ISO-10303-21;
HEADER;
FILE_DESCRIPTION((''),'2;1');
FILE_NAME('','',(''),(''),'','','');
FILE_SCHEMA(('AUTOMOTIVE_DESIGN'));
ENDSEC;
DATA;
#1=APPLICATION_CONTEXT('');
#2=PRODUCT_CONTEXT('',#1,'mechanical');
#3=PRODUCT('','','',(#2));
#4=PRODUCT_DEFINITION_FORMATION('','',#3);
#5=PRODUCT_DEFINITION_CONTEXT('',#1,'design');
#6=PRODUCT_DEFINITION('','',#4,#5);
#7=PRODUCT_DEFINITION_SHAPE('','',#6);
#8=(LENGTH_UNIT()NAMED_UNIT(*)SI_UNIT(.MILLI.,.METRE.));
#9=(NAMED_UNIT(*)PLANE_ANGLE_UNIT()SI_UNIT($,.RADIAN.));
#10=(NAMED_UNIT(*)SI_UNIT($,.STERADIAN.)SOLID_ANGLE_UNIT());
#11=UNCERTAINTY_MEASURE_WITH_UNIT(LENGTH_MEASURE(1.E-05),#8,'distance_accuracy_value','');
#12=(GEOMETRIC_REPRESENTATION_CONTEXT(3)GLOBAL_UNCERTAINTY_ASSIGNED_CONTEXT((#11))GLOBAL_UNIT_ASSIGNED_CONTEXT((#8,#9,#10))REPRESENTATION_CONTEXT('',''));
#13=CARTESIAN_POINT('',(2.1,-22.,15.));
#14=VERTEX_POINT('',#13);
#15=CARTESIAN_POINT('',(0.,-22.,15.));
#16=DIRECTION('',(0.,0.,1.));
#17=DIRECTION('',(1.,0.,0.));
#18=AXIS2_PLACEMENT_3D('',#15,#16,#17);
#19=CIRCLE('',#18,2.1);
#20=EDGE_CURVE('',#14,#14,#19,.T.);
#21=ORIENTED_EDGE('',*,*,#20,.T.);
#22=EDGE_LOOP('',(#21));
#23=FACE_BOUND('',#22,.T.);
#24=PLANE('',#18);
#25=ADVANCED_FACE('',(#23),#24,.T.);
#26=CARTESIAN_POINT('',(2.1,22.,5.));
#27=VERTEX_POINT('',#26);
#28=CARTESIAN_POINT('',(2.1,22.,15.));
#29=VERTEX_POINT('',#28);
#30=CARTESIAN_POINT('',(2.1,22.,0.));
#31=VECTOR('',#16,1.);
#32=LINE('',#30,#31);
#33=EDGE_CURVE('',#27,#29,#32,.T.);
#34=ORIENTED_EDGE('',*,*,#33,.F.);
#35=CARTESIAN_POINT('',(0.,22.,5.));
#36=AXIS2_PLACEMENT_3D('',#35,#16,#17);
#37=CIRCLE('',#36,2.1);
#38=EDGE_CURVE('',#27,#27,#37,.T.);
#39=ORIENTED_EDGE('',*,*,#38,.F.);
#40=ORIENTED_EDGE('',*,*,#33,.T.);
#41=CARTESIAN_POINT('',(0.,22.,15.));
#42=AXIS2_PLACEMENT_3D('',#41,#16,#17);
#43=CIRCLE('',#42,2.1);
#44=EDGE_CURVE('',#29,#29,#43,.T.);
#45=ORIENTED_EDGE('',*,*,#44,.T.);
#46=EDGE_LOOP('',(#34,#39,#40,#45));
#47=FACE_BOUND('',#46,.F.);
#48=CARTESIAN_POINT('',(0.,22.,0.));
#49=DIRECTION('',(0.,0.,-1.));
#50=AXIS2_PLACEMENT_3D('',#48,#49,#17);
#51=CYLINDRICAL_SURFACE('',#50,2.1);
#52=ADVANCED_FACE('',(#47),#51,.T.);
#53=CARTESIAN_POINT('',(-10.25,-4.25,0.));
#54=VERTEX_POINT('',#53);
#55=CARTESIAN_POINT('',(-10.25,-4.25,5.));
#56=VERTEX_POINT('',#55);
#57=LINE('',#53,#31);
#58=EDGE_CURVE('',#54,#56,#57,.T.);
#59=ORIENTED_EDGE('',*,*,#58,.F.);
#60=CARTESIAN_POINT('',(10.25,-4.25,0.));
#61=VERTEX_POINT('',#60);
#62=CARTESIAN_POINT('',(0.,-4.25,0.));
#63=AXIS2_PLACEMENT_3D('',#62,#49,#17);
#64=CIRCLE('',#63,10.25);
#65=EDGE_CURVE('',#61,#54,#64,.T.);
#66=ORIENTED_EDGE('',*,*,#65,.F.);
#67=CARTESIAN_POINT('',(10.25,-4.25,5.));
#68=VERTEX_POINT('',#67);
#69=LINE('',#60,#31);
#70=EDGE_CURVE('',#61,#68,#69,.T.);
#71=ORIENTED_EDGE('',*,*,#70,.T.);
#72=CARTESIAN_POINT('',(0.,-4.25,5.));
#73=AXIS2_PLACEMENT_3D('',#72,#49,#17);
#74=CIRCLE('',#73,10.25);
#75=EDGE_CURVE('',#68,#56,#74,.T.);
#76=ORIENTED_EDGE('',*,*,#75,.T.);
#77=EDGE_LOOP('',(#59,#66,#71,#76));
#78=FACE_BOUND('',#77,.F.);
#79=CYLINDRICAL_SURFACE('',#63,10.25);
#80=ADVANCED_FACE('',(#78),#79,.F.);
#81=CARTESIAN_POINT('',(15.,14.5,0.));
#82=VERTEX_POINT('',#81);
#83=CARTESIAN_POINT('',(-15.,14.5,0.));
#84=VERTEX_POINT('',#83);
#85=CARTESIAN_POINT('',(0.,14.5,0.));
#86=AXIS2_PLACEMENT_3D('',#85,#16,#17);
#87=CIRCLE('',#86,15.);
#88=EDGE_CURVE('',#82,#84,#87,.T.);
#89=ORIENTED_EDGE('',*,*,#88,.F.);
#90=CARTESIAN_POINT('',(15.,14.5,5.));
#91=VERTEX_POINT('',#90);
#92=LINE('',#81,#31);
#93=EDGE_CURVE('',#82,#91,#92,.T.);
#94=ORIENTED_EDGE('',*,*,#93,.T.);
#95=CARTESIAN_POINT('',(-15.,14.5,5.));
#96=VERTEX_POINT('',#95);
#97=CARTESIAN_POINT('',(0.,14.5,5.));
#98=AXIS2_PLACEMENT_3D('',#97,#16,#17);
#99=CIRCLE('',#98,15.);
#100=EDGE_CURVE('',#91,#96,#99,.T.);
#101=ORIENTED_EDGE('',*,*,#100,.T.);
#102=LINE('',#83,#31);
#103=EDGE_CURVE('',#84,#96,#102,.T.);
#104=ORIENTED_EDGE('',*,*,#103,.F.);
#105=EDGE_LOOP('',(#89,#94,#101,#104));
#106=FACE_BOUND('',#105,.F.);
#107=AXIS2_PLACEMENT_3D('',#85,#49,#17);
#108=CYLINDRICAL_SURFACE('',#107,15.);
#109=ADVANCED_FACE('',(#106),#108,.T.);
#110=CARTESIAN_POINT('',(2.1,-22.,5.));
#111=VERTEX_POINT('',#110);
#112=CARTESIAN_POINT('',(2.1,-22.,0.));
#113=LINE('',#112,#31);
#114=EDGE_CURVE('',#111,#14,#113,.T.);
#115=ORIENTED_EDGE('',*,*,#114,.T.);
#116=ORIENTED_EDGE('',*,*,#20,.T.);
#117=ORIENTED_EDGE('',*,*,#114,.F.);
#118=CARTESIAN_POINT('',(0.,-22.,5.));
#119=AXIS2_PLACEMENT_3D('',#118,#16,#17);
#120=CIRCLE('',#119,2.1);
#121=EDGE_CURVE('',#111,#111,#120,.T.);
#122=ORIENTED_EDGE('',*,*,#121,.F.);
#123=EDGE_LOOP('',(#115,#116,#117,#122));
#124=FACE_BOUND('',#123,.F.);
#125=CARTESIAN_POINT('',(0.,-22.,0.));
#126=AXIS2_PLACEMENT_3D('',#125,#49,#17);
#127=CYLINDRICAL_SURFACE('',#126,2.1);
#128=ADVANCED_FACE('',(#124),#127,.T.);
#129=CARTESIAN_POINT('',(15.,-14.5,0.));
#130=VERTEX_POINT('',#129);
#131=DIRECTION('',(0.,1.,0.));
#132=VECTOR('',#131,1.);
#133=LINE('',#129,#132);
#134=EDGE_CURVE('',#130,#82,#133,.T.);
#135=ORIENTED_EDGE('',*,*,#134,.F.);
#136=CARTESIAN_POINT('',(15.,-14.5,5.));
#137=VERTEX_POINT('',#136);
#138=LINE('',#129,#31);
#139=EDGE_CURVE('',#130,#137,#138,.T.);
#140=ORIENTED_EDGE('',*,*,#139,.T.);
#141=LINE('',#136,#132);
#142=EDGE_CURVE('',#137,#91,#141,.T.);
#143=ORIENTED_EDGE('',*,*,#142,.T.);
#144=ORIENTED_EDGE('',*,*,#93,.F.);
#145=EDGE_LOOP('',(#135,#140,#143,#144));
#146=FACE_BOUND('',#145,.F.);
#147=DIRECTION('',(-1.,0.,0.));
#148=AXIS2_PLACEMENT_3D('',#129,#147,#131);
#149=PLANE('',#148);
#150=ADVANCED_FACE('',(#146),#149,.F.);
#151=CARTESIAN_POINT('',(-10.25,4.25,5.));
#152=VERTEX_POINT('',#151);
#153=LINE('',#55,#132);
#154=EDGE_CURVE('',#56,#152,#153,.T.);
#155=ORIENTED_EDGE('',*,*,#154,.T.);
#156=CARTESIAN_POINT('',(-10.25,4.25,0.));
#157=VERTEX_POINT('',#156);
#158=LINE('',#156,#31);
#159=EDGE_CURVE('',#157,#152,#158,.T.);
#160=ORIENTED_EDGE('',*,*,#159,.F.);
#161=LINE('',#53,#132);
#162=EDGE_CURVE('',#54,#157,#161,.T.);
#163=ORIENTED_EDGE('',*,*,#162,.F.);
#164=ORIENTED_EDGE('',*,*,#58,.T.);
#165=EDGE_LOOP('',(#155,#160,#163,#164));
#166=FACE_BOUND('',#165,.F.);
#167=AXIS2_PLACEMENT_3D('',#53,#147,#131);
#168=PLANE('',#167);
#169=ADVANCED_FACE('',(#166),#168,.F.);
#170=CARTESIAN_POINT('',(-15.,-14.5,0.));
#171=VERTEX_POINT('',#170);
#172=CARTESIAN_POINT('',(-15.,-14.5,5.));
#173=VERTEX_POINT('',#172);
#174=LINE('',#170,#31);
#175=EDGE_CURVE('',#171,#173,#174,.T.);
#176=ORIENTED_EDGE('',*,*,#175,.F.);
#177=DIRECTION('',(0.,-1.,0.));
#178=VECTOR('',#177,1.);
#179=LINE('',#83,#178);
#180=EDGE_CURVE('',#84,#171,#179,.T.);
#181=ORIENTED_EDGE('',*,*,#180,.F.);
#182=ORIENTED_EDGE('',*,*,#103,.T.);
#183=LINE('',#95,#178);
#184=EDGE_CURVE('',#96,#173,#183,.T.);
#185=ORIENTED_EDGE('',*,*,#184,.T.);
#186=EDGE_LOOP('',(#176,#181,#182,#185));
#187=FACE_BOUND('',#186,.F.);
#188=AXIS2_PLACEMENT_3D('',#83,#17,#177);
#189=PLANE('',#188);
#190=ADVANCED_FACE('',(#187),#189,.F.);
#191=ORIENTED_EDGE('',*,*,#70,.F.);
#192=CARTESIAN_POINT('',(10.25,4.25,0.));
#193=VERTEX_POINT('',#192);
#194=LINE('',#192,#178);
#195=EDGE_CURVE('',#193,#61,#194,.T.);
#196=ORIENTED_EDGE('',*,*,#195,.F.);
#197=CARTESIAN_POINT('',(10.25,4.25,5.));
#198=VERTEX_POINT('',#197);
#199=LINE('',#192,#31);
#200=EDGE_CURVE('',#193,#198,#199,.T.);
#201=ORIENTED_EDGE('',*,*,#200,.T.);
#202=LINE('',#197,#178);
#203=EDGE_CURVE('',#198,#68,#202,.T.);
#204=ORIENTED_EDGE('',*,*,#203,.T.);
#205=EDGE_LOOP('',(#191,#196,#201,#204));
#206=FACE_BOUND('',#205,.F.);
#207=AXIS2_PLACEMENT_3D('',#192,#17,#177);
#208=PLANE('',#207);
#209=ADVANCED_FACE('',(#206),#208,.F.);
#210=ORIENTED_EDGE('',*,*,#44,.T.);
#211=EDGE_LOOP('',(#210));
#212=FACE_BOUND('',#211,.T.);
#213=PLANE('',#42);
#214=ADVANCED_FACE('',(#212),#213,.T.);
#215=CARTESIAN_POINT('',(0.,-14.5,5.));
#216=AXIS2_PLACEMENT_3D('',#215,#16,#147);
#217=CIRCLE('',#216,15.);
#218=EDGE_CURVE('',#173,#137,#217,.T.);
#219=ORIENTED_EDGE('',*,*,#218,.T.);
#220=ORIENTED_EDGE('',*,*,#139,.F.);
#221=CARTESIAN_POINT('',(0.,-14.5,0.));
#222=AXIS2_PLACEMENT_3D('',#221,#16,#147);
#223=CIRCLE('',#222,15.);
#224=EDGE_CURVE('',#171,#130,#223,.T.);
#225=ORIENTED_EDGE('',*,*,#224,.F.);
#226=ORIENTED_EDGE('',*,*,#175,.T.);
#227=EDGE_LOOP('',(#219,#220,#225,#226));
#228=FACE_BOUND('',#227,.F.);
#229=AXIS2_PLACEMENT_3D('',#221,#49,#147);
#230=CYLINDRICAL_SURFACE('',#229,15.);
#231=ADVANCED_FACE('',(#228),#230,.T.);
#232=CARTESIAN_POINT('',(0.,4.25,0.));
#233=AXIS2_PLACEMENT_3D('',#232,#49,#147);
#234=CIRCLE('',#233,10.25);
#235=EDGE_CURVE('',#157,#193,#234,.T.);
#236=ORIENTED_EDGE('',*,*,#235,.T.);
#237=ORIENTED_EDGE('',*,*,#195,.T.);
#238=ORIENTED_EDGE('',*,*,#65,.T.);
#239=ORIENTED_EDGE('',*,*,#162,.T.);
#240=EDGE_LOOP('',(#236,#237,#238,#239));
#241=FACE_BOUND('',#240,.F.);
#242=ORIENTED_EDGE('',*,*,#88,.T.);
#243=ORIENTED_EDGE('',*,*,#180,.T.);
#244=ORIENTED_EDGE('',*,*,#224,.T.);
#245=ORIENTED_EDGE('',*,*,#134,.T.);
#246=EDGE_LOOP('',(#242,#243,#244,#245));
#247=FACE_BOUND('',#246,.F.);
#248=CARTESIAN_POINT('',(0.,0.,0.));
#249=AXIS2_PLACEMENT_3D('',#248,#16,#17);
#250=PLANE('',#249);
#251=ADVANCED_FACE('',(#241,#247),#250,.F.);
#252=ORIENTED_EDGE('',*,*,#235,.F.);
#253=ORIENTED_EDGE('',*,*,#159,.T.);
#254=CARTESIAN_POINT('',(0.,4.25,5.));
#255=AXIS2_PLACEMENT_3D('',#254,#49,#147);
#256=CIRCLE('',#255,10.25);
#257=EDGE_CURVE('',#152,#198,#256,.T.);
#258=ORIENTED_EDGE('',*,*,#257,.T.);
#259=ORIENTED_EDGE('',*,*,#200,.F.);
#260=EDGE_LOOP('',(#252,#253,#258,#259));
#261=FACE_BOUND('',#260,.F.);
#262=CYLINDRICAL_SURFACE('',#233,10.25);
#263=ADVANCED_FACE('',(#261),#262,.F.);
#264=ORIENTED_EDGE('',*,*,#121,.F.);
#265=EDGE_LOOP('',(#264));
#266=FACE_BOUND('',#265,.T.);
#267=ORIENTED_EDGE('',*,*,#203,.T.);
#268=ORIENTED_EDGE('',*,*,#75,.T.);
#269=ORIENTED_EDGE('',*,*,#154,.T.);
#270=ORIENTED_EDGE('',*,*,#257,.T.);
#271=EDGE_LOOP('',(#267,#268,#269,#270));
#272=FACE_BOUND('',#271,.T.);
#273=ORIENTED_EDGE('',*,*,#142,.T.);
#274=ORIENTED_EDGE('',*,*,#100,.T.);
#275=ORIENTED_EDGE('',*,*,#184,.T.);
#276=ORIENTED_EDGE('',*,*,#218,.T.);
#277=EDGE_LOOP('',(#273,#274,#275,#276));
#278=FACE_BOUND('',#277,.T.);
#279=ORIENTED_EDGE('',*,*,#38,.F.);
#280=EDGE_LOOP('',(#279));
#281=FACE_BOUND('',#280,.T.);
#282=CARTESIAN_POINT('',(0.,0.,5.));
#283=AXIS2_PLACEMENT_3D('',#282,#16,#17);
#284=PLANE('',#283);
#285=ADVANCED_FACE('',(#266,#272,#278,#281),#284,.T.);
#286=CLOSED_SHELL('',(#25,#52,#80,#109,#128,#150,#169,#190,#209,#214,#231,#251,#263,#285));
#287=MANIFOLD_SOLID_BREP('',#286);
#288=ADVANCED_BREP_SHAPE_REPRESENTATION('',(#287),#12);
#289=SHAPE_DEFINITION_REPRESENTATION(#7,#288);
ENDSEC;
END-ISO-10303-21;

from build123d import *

# Parameters (mm, degrees)
F0_R     = 2.1
F1_DEPTH = 5
F2_DEPTH = 15


with BuildPart() as f1:
    # F0 (on Top) → F1 (new body)
    with BuildSketch(Plane.XY):
        with BuildLine():
            Line((15, -14.5), (15, 14.5))
            ThreePointArc((15, 14.5), (0, 29.5), (-15, 14.5))
            Line((-15, 14.5), (-15, -14.5))
            ThreePointArc((-15, -14.5), (0, -29.5), (15, -14.5))
        make_face()
        with Locations((0, -22)):
            Circle(F0_R, mode=Mode.SUBTRACT)
        with BuildLine():
            ThreePointArc((-10.25, 4.25), (0, 14.5), (10.25, 4.25))
            Line((10.25, 4.25), (10.25, -4.25))
            ThreePointArc((10.25, -4.25), (0, -14.5), (-10.25, -4.25))
            Line((-10.25, -4.25), (-10.25, 4.25))
        make_face(mode=Mode.SUBTRACT)
        with Locations((0, 22)):
            Circle(F0_R, mode=Mode.SUBTRACT)
    extrude(amount=F1_DEPTH)

    # F0 (on Top) → F2 (join)
    with BuildSketch(Plane.XY):
        with Locations((0, 22)):
            Circle(F0_R)
        with Locations((0, -22)):
            Circle(F0_R)
    extrude(amount=F2_DEPTH)


solid = f1.part
